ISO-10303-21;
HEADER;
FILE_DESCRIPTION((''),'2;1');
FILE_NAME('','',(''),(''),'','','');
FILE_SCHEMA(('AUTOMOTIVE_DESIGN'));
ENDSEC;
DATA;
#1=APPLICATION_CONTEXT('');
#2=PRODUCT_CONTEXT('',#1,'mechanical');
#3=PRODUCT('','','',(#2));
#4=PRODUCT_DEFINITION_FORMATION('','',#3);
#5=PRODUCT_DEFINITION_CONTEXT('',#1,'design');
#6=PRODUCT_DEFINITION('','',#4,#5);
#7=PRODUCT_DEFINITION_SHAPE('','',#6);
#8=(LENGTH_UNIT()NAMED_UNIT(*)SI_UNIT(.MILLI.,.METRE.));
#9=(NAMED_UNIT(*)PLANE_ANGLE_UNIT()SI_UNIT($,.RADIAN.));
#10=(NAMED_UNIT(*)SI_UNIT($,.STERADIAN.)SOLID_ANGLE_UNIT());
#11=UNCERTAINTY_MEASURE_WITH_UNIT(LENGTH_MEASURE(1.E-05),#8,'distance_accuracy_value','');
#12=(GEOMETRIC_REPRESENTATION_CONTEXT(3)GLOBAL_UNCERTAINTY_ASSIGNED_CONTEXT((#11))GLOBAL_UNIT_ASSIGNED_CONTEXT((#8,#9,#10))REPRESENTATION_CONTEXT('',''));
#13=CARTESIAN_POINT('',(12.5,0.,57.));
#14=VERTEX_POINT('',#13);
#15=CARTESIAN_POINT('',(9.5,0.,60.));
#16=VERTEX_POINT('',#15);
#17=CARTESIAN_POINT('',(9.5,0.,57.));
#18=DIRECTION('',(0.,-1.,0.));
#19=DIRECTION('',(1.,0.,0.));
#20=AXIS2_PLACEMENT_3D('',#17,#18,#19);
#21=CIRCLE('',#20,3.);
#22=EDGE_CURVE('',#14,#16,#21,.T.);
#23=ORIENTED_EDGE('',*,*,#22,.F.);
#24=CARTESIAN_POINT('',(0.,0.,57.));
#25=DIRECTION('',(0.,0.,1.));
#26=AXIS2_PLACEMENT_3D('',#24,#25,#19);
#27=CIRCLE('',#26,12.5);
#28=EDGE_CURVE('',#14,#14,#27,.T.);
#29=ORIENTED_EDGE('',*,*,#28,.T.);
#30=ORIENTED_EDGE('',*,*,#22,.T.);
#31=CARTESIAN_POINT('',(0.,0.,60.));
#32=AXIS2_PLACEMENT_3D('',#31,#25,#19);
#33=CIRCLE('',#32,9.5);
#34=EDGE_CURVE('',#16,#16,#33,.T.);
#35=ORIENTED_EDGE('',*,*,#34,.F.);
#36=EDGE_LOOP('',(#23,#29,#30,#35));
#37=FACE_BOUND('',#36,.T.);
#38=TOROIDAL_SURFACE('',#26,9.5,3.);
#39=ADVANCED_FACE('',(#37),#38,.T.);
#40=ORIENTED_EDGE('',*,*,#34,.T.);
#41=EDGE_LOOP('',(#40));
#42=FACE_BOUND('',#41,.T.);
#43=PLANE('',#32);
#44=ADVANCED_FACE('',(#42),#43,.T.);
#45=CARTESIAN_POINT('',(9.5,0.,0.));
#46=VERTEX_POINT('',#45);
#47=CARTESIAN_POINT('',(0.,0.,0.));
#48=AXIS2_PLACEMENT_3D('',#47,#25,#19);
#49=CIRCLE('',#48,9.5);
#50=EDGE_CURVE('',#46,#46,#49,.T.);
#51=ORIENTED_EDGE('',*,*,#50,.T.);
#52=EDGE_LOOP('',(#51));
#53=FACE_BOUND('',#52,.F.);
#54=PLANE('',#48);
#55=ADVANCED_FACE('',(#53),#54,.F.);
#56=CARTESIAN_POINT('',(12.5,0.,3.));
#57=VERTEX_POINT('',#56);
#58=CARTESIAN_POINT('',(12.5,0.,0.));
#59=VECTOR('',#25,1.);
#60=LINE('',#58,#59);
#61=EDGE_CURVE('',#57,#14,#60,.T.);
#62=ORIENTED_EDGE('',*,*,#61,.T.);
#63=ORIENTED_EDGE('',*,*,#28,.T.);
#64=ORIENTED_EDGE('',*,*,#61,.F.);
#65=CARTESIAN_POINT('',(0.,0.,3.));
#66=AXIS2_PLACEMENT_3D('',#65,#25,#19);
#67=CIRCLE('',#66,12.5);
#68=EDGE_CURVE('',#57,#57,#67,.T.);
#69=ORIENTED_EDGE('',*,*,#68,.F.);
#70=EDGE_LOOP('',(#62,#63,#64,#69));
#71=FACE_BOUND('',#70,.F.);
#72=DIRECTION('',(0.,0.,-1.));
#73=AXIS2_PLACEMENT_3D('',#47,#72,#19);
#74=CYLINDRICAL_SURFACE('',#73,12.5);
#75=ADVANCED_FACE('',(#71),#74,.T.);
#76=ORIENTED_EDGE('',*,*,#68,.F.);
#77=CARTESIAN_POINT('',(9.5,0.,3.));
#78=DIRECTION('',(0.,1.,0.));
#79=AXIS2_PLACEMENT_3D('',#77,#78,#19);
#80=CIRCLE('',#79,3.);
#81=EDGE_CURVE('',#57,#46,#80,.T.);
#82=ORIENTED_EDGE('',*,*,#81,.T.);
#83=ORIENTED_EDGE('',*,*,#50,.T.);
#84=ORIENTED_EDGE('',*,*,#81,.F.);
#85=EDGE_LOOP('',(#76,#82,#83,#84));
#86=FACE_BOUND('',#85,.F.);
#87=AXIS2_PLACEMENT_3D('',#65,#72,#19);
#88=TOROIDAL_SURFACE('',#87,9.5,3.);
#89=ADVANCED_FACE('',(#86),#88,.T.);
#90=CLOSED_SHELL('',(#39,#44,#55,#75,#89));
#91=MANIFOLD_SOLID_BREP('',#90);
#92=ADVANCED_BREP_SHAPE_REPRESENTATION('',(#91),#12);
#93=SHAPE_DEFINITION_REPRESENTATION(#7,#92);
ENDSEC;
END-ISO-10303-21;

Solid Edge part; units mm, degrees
sketch "Sketch1" plane through (0, 0, 0) normal (0, 0, 1) x (1, 0, 0)
  circle A0 centre (0, 0) radius 12.5
extrude "Protrusion1" add sketch "Sketch1" along normal blind 60
fillet "Redondeo_2" radius 3 2 edges at (-12.5, 0, 60) (-12.5, 0, 0)
